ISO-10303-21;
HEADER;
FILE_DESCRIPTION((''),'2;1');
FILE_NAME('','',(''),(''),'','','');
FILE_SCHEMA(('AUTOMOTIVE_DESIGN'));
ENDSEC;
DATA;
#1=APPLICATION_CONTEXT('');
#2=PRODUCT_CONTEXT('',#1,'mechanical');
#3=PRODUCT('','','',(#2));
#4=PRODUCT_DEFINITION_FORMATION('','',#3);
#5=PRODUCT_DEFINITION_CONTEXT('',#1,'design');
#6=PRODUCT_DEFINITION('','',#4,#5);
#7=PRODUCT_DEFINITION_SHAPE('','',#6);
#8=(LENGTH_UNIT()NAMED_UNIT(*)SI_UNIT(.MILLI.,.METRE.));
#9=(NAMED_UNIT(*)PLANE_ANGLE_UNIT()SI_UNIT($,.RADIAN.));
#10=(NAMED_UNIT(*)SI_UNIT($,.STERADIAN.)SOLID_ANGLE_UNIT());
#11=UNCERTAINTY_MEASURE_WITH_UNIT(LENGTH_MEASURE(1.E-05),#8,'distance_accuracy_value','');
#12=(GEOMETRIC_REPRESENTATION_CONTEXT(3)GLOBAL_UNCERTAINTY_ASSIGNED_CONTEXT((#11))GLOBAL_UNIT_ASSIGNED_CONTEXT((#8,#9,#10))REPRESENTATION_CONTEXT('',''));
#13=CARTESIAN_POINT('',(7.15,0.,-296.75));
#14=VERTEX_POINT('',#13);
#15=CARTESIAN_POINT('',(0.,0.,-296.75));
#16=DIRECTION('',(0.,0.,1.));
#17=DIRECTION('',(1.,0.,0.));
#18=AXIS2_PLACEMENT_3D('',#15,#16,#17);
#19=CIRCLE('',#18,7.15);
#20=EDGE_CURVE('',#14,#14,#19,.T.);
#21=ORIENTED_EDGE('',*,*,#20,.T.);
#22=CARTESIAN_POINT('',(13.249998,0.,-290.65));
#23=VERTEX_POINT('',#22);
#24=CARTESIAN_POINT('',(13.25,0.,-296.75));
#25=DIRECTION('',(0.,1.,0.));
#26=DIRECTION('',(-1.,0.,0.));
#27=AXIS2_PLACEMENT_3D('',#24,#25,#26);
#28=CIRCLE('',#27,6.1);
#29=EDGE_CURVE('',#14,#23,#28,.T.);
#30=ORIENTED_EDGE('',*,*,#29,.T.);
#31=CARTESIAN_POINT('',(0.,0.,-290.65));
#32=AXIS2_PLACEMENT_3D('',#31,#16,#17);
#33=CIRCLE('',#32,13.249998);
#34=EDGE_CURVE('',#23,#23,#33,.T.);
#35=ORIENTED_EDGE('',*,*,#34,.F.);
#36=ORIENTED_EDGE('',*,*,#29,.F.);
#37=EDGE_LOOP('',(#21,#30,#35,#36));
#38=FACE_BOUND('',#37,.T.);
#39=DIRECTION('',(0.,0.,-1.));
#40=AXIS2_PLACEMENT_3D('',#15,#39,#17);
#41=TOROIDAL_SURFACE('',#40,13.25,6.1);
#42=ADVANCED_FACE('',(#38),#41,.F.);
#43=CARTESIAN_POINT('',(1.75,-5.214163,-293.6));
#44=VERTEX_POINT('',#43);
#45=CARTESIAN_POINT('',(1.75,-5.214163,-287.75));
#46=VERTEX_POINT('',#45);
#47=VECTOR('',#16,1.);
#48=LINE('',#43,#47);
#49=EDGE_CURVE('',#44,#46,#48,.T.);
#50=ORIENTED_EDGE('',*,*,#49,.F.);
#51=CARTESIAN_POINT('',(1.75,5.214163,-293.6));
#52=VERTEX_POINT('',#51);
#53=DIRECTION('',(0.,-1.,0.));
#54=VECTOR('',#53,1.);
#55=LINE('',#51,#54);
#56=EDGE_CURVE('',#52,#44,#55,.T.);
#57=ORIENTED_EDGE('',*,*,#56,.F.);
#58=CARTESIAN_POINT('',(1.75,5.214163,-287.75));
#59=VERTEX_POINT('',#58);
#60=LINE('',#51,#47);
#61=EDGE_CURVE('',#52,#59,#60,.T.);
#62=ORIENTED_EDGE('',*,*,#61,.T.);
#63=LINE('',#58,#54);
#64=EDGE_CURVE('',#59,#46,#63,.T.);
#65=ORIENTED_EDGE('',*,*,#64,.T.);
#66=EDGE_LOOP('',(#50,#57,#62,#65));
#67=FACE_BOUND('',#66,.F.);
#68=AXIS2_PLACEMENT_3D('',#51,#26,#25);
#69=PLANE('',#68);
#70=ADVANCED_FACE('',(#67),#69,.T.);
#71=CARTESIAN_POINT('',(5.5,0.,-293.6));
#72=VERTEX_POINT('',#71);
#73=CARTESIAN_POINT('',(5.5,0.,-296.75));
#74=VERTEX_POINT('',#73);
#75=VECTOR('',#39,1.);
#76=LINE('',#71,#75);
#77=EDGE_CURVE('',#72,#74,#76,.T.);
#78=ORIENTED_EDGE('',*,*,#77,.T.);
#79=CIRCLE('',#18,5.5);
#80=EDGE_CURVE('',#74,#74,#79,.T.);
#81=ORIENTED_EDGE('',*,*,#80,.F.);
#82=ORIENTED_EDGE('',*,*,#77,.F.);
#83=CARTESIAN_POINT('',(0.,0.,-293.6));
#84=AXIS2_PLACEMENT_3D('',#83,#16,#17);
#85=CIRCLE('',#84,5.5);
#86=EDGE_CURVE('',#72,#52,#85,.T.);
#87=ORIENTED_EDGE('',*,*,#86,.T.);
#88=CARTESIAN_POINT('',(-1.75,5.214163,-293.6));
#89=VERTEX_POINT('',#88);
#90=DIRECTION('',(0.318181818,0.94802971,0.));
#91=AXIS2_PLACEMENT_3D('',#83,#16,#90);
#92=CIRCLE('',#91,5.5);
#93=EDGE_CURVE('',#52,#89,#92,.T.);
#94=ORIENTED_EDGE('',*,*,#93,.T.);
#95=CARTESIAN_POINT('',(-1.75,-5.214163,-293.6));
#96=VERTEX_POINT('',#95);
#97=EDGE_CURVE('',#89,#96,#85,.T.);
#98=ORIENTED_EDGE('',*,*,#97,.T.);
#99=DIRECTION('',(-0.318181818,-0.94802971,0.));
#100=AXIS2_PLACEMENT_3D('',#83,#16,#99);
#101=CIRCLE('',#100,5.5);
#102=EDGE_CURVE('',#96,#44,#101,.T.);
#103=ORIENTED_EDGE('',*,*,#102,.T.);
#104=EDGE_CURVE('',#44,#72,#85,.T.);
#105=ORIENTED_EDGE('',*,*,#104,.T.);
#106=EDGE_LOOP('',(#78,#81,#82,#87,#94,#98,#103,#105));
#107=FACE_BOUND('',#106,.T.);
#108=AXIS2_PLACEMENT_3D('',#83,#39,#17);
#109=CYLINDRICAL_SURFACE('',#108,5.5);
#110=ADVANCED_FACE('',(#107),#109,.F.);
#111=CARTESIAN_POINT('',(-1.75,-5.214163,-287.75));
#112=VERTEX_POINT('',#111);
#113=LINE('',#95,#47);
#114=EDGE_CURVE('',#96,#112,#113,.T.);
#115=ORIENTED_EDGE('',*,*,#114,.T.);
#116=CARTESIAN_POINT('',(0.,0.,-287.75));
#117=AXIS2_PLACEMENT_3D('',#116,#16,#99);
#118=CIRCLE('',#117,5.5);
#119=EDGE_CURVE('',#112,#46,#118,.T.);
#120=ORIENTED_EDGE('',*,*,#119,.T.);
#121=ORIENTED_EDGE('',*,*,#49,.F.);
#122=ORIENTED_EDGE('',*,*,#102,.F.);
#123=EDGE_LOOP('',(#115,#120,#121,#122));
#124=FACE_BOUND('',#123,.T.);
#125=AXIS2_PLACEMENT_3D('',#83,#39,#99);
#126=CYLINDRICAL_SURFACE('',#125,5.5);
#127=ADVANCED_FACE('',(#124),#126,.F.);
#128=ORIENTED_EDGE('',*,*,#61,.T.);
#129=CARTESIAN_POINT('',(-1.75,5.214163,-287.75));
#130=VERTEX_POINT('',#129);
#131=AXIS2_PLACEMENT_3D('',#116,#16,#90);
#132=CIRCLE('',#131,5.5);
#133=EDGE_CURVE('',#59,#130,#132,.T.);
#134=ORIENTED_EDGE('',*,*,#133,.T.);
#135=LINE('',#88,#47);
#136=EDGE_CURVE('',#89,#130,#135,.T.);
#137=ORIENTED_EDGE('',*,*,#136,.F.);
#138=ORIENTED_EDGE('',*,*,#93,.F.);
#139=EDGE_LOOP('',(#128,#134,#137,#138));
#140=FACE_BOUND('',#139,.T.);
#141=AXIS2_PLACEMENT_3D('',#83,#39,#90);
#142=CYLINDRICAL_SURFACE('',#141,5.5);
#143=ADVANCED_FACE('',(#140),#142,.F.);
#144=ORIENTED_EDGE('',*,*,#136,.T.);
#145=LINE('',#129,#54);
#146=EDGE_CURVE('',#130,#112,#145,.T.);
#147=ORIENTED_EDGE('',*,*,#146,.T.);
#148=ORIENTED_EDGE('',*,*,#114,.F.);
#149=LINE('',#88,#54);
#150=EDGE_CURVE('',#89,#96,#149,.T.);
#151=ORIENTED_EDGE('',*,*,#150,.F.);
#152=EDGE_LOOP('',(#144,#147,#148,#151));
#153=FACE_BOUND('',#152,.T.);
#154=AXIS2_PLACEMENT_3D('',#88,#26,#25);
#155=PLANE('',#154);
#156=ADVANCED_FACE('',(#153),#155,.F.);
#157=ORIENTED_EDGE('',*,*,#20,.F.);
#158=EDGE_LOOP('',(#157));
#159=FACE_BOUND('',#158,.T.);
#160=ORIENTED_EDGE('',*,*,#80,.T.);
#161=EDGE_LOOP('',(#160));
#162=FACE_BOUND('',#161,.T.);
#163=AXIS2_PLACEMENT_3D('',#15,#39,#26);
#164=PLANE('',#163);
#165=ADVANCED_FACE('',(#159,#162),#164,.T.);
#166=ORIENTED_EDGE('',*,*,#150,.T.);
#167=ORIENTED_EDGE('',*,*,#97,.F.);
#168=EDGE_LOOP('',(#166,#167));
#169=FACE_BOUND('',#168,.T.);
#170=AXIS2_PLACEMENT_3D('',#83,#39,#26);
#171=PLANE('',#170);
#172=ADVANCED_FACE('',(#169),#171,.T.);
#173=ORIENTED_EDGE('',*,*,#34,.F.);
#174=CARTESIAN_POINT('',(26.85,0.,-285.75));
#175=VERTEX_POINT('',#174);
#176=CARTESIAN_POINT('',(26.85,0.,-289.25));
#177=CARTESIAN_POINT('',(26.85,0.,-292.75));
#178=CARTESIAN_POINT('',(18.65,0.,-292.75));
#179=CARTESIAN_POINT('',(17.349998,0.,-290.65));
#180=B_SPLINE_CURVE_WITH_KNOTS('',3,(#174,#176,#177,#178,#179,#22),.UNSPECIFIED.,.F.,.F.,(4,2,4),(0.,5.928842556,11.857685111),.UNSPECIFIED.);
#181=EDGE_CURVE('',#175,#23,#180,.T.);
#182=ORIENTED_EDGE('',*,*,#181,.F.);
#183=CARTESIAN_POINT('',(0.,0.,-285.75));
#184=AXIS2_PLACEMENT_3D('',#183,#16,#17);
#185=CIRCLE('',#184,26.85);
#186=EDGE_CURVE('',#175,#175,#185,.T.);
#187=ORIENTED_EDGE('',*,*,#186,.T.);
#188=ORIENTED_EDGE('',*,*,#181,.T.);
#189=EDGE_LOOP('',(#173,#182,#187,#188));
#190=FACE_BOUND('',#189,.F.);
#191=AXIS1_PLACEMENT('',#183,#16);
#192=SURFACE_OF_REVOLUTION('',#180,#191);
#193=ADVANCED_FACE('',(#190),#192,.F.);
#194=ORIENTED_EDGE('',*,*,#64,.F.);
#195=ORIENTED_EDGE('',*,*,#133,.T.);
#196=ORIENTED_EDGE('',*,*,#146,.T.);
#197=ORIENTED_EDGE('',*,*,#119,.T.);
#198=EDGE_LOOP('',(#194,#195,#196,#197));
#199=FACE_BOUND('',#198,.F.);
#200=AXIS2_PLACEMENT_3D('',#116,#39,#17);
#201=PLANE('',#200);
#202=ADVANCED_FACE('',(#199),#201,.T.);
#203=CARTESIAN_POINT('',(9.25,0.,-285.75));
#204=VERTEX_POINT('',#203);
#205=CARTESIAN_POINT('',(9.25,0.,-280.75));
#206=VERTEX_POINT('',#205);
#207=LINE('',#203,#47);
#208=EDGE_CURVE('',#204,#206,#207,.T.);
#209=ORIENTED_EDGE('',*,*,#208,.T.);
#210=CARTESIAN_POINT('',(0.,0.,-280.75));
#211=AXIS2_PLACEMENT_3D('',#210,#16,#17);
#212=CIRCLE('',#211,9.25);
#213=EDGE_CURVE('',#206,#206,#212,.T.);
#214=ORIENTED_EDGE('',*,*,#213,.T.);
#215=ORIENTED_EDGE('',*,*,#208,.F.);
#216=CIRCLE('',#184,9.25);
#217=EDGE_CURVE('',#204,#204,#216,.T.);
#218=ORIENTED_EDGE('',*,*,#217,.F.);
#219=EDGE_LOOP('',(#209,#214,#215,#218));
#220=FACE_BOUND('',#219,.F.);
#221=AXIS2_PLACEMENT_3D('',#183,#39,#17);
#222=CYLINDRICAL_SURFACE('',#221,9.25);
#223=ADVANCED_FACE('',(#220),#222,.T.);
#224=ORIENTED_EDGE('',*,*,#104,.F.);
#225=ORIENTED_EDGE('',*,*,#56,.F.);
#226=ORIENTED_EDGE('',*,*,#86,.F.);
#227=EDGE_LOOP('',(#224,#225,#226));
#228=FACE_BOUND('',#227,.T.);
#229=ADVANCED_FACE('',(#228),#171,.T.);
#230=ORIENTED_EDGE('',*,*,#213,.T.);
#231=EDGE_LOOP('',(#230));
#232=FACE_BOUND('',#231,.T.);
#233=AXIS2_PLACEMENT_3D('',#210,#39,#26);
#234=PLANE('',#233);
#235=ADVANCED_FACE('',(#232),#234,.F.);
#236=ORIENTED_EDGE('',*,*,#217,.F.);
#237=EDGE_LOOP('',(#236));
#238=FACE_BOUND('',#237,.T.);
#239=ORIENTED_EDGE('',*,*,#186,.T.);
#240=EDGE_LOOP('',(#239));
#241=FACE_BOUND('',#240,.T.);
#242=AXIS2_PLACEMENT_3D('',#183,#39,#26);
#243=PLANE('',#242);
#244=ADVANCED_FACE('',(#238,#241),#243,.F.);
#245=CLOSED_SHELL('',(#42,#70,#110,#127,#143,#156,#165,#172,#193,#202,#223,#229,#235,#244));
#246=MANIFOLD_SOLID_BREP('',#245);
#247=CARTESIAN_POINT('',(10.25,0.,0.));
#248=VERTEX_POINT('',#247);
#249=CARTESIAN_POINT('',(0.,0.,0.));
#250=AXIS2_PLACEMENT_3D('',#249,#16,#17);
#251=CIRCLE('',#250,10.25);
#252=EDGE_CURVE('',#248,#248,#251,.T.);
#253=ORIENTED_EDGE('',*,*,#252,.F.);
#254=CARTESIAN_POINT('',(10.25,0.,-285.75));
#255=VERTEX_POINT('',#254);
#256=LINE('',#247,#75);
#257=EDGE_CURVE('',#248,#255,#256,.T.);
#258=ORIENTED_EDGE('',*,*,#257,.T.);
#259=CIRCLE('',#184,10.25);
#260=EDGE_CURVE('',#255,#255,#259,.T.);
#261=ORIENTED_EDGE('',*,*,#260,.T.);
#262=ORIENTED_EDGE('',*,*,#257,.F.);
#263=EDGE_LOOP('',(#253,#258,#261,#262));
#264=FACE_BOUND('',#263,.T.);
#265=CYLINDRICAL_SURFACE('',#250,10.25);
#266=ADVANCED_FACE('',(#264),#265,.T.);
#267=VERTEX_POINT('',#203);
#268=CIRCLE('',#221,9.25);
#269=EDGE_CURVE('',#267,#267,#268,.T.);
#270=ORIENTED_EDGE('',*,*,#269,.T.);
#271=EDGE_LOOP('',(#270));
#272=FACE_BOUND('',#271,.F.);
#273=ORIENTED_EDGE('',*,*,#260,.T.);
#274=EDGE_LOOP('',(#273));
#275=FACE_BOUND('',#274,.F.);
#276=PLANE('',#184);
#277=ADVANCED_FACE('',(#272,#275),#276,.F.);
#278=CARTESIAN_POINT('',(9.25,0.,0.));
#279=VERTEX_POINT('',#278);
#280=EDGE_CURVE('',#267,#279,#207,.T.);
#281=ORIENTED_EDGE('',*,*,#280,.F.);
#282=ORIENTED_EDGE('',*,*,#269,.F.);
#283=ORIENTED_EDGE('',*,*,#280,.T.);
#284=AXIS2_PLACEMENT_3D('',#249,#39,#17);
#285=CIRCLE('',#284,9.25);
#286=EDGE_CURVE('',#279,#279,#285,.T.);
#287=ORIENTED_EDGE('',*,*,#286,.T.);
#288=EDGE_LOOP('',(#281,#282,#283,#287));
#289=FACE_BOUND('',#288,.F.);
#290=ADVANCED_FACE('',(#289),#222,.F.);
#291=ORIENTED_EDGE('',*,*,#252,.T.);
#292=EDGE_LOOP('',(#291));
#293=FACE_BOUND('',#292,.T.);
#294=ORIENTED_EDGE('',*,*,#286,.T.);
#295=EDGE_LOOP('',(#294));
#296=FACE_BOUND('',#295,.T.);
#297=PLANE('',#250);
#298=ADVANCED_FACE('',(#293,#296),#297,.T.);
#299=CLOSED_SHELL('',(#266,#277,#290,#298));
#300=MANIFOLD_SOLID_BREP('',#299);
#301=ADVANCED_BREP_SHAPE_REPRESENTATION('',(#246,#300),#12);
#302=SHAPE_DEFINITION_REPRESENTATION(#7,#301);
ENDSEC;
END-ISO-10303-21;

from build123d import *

# Parameters (mm, degrees)
SKETCH003_R  = 10.25
PAD001_DEPTH = 285.75
SKETCH004_R  = 9.25
HOLE_DEPTH   = 285.751
POCKET_DEPTH = 5.85
SKETCH002_R  = 9.25
PAD_DEPTH    = 5


with BuildPart() as spool:
    # Sketch003 → Pad001 (new body)
    with BuildSketch(Plane.XY):
        Circle(SKETCH003_R)
    extrude(amount=-PAD001_DEPTH)

    # Sketch004 (on Face3 of Pad001) → Hole (cut, through all)
    with BuildSketch(Plane(origin=(0, 0, -285.75), x_dir=(1, 0, 0), z_dir=(0, 0, -1))):
        Circle(SKETCH004_R)
    extrude(amount=-HOLE_DEPTH, mode=Mode.SUBTRACT)


with BuildPart() as endcap:
    # Sketch → Revolution (revolve)
    with BuildSketch(Plane.XZ):
        with BuildLine():
            Line((0, 0), (0, 7.85))
            Line((0, 7.85), (5.5, 7.85))
            Line((5.5, 7.85), (5.5, 11))
            Line((5.5, 11), (7.15, 11))
            ThreePointArc((7.15, 11), (8.93664793, 6.6866493396), (13.2499980066, 4.9))
            add(Edge.make_bspline(
                [(13.2499980066, 4.9), (17.3499980066, 4.9), (18.65, 7), (22.75, 7)],
                knots=[0, 0, 0, 0, 9.7293370792, 9.7293370792, 9.7293370792, 9.7293370792], degree=3))
            add(Edge.make_bspline(
                [(26.85, 0), (26.85, 3.5), (26.85, 7), (22.75, 7)],
                knots=[0, 0, 0, 0, 5.9288425557, 5.9288425557, 5.9288425557, 5.9288425557], degree=3))
            Line((26.85, 0), (0, 0))
        make_face()
    revolve(axis=Axis((0, 0, 0), (0, 0, 1)))

    # Sketch001 (on Face1 of Revolution) → Pocket (cut)
    with BuildSketch(Plane(origin=(0, 0, 7.85), x_dir=(-1, 0, 0), z_dir=(0, 0, 1))):
        with BuildLine():
            Line((1.75, -5.2141634037), (1.75, 5.2141634037))
            ThreePointArc((1.75, 5.2141634037), (0, 5.5), (-1.75, 5.2141634037))
            Line((-1.75, -5.2141634037), (-1.75, 5.2141634037))
            ThreePointArc((-1.75, -5.2141634037), (0, -5.5), (1.75, -5.2141634037))
        make_face()
    extrude(amount=-POCKET_DEPTH, mode=Mode.SUBTRACT)

    # Sketch002 → Pad (join)
    with BuildSketch(Plane.XY):
        Circle(SKETCH002_R)
    extrude(amount=-PAD_DEPTH)


with BuildPart() as part_mirroring:
    # Part__Mirroring: instance of EndCap
    add(endcap.part.mirror(Plane(origin=(0, 0, -142.875), x_dir=(0, 1, 0), z_dir=(0, 0, 1))))


solid = Compound([spool.part, part_mirroring.part])
